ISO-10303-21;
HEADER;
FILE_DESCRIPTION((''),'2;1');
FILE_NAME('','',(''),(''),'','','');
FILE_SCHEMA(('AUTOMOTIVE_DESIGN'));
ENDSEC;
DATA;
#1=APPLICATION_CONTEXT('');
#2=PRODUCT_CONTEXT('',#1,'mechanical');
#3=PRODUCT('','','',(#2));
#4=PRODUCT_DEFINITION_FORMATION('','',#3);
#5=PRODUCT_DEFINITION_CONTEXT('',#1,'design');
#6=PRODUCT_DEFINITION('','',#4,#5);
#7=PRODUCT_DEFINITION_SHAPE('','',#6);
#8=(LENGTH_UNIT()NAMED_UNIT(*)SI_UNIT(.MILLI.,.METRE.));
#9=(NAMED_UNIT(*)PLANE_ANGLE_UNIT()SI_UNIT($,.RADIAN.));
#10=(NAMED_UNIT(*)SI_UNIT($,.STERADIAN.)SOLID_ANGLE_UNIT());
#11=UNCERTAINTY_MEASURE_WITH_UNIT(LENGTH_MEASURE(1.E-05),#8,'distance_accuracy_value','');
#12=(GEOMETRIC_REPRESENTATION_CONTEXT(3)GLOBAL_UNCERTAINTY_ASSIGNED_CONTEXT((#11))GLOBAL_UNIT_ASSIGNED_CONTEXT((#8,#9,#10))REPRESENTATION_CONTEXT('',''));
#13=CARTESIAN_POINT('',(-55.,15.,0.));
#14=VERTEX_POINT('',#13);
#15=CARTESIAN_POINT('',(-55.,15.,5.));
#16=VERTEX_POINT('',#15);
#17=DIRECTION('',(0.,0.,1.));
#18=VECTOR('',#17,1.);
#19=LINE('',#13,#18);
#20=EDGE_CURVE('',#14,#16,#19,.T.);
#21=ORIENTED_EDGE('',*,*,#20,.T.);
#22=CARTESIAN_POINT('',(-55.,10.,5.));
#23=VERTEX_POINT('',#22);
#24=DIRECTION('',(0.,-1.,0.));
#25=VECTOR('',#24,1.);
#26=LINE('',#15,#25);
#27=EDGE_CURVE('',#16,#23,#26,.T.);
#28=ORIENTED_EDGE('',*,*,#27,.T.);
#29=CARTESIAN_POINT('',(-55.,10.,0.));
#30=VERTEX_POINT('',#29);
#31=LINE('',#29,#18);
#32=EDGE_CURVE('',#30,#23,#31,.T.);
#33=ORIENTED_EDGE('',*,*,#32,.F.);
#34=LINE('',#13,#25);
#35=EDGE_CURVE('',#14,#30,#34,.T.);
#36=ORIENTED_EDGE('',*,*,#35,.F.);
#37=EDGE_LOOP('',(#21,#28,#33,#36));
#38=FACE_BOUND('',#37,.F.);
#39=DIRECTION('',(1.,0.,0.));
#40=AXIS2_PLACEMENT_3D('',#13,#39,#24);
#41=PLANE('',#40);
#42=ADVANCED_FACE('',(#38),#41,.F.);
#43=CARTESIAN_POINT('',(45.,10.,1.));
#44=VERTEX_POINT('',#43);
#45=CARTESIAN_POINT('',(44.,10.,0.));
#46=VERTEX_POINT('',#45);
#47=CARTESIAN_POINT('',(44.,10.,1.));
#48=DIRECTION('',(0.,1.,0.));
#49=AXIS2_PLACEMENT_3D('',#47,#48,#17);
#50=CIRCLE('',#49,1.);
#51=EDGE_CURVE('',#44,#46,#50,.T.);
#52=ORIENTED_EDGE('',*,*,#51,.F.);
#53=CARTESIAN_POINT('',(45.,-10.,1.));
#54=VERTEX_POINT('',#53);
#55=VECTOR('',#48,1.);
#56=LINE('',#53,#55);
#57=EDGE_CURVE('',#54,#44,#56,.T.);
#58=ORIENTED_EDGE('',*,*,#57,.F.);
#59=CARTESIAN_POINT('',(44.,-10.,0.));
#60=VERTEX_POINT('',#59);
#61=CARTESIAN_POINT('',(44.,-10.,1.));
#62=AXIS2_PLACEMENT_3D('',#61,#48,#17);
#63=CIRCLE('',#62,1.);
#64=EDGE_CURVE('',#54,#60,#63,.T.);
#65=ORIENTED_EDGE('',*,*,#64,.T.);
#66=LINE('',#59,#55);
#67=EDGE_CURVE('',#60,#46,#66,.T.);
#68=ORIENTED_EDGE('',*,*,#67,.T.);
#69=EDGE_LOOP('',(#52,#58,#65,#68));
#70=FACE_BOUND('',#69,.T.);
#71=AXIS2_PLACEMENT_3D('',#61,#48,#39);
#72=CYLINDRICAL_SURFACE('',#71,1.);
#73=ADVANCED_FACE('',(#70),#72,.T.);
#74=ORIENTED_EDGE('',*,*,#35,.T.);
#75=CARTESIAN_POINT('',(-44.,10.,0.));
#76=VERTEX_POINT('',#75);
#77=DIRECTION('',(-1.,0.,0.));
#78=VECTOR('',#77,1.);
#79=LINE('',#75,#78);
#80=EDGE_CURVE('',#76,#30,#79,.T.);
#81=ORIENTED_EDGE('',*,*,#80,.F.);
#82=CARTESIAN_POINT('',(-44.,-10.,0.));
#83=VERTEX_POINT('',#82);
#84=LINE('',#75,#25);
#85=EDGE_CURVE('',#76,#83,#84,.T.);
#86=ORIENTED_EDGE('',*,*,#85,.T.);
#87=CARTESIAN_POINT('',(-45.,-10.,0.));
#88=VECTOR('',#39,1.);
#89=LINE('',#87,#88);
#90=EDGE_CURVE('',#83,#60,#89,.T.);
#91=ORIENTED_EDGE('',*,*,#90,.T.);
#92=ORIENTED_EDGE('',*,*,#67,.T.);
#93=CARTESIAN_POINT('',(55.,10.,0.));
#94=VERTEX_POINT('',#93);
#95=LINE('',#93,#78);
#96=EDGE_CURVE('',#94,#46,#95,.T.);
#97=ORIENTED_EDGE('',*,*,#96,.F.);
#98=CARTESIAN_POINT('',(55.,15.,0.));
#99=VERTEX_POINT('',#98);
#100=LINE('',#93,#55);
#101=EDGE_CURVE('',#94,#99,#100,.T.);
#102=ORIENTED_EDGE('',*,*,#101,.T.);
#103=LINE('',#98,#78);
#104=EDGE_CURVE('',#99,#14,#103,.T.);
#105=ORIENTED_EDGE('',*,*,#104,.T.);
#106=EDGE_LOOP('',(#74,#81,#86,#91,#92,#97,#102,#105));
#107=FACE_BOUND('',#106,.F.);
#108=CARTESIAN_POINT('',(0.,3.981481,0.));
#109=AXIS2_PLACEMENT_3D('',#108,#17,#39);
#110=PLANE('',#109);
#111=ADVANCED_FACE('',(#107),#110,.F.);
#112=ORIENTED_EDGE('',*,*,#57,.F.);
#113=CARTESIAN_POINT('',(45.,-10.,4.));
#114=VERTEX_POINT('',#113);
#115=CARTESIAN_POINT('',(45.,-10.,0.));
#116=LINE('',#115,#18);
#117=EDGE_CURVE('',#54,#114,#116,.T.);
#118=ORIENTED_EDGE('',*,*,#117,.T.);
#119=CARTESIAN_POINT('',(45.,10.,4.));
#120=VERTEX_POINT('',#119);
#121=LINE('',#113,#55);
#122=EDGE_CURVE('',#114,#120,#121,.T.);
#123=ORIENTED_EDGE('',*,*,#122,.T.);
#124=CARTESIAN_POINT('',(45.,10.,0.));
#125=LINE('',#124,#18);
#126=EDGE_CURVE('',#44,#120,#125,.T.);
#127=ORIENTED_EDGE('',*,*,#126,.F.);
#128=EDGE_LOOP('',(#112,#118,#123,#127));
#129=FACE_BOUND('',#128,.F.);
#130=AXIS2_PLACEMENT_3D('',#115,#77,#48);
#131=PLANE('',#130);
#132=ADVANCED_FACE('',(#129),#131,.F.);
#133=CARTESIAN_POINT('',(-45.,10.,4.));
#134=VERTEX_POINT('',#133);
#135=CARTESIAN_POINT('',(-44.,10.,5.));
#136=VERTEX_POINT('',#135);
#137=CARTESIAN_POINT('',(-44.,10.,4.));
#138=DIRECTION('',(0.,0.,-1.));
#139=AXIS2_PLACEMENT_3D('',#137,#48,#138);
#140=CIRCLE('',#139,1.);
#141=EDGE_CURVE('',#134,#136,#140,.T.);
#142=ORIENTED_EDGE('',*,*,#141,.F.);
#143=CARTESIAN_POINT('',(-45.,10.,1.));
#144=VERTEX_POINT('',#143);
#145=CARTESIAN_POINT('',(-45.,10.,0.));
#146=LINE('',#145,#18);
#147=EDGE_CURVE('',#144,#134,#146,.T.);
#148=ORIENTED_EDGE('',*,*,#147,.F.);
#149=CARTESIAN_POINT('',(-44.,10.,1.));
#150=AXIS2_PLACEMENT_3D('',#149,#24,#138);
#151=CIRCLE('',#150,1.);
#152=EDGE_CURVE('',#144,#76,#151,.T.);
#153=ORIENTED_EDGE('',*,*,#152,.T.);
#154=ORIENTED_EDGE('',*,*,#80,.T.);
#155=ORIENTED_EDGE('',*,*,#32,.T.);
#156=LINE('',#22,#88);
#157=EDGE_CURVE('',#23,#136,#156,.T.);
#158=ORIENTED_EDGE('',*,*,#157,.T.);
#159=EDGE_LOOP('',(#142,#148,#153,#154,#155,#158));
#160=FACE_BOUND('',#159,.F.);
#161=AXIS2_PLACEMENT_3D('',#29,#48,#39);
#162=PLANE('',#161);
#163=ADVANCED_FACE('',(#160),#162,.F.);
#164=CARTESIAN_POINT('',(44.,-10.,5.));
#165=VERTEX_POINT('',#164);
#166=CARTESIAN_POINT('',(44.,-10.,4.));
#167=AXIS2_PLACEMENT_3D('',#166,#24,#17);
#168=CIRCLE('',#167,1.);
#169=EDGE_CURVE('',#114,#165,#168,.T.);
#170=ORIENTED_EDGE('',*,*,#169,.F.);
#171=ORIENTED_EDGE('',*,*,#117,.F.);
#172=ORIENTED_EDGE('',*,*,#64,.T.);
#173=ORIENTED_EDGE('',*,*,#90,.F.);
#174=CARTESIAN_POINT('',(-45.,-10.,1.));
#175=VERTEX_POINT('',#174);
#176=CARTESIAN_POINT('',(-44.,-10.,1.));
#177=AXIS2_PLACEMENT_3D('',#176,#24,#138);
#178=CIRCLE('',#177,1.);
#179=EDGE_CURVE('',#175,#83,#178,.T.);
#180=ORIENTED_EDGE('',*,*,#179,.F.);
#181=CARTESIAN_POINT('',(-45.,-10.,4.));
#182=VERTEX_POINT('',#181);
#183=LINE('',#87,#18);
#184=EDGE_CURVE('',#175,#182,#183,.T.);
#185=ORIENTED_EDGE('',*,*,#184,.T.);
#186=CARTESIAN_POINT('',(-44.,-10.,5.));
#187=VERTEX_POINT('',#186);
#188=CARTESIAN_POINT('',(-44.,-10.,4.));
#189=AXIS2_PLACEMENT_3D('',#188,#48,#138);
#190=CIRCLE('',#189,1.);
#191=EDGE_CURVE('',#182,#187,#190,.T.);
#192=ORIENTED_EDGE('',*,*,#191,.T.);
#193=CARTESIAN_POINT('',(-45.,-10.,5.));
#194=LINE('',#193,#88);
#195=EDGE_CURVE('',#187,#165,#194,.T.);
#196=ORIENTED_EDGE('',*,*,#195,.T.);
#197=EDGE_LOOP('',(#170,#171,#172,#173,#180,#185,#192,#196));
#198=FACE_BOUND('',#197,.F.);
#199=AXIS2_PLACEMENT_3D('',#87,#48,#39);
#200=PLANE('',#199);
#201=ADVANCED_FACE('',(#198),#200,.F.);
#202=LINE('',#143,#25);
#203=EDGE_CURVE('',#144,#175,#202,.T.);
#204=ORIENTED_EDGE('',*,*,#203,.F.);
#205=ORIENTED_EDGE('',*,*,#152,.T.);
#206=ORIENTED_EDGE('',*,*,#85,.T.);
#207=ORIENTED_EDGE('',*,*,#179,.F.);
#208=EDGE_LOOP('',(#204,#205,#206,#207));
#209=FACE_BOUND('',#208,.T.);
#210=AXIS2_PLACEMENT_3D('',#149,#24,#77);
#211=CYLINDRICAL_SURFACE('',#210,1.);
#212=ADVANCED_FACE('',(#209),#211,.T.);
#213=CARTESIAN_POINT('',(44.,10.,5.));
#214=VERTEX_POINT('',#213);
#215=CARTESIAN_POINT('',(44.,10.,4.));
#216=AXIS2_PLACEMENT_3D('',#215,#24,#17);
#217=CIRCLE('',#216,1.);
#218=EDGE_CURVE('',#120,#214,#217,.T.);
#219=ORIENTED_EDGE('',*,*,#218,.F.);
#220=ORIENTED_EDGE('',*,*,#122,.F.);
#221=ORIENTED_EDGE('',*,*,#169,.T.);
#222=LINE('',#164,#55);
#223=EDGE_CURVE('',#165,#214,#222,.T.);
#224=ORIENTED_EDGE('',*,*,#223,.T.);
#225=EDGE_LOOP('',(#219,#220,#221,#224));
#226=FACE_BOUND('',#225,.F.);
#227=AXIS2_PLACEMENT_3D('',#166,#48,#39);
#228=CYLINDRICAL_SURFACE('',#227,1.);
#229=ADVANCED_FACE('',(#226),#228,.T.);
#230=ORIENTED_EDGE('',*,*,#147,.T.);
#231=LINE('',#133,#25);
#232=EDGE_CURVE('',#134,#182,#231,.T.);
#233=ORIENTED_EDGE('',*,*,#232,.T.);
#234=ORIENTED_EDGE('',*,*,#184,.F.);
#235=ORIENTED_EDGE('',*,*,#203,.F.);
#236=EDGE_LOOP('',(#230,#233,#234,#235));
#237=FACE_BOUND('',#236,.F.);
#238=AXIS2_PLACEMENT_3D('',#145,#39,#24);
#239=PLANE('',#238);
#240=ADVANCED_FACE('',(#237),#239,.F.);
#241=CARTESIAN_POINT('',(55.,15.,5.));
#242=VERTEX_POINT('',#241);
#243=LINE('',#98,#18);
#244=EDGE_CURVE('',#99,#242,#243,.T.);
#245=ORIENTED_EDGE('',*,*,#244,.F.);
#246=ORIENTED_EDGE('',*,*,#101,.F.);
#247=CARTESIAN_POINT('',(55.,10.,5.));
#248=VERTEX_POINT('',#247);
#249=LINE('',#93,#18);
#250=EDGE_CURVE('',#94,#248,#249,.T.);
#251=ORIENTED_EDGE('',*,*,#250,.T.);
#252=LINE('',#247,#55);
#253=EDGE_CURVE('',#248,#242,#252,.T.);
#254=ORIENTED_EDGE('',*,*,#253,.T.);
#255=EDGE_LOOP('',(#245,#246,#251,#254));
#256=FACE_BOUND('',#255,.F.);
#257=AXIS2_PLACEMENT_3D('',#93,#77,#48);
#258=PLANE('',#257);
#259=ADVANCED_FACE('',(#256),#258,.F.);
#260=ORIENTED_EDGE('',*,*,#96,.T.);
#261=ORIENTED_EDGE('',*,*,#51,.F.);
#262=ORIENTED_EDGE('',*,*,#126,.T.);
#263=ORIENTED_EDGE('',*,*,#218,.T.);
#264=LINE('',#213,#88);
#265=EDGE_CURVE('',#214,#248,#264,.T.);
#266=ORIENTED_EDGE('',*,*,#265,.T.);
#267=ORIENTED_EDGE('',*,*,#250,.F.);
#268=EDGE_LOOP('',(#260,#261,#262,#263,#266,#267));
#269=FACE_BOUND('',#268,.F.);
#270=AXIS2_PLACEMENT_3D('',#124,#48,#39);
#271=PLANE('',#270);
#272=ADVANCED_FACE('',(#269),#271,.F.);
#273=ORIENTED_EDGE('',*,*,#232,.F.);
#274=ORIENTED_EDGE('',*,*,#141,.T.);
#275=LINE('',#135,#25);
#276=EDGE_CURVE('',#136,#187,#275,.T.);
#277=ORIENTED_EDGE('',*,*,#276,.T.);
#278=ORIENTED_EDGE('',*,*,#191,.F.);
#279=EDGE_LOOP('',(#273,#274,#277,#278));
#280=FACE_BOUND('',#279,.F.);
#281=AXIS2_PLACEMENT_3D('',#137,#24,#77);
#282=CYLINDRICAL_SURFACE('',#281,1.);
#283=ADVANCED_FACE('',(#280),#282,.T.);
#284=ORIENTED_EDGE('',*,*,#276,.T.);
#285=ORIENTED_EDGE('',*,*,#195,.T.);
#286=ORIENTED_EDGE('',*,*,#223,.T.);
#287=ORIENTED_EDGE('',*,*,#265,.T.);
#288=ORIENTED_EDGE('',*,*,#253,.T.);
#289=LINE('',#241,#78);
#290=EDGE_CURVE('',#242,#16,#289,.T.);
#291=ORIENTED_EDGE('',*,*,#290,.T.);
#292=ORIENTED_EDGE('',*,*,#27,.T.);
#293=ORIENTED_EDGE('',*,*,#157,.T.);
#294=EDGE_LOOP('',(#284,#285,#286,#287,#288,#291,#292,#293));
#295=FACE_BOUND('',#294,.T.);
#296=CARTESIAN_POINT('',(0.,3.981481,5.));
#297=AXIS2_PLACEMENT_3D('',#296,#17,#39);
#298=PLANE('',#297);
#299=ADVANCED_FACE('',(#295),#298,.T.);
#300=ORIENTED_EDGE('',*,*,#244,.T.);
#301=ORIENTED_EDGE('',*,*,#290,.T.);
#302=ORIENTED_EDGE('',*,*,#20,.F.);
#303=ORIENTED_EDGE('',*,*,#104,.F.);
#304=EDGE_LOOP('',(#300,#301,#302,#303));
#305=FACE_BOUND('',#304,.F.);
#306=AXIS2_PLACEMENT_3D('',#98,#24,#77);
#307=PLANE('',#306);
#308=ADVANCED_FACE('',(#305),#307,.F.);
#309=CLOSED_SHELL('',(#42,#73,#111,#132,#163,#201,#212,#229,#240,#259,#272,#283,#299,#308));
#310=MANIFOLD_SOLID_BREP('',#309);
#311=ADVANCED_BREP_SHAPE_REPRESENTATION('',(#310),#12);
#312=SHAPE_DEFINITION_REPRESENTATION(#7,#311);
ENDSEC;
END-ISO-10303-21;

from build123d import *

# Parameters (mm, degrees)
PAD_DEPTH = 5
FILLET_R  = 1


with BuildPart() as part:
    # Sketch → Pad (new body)
    with BuildSketch(Plane.XY):
        Polygon((-45, -10), (45, -10), (45, 10), (55, 10), (55, 15), (-55, 15), (-55, 10), (-45, 10), align=None)
    extrude(amount=PAD_DEPTH)

    # Fillet
    fillet_edges = [part.edges().sort_by_distance(p)[0] for p in [
        (-45, 0, 5),
        (-45, 0, 0),
        (45, 0, 5),
        (45, 0, 0),
    ]]
    fillet(fillet_edges, radius=FILLET_R)


solid = part.part
